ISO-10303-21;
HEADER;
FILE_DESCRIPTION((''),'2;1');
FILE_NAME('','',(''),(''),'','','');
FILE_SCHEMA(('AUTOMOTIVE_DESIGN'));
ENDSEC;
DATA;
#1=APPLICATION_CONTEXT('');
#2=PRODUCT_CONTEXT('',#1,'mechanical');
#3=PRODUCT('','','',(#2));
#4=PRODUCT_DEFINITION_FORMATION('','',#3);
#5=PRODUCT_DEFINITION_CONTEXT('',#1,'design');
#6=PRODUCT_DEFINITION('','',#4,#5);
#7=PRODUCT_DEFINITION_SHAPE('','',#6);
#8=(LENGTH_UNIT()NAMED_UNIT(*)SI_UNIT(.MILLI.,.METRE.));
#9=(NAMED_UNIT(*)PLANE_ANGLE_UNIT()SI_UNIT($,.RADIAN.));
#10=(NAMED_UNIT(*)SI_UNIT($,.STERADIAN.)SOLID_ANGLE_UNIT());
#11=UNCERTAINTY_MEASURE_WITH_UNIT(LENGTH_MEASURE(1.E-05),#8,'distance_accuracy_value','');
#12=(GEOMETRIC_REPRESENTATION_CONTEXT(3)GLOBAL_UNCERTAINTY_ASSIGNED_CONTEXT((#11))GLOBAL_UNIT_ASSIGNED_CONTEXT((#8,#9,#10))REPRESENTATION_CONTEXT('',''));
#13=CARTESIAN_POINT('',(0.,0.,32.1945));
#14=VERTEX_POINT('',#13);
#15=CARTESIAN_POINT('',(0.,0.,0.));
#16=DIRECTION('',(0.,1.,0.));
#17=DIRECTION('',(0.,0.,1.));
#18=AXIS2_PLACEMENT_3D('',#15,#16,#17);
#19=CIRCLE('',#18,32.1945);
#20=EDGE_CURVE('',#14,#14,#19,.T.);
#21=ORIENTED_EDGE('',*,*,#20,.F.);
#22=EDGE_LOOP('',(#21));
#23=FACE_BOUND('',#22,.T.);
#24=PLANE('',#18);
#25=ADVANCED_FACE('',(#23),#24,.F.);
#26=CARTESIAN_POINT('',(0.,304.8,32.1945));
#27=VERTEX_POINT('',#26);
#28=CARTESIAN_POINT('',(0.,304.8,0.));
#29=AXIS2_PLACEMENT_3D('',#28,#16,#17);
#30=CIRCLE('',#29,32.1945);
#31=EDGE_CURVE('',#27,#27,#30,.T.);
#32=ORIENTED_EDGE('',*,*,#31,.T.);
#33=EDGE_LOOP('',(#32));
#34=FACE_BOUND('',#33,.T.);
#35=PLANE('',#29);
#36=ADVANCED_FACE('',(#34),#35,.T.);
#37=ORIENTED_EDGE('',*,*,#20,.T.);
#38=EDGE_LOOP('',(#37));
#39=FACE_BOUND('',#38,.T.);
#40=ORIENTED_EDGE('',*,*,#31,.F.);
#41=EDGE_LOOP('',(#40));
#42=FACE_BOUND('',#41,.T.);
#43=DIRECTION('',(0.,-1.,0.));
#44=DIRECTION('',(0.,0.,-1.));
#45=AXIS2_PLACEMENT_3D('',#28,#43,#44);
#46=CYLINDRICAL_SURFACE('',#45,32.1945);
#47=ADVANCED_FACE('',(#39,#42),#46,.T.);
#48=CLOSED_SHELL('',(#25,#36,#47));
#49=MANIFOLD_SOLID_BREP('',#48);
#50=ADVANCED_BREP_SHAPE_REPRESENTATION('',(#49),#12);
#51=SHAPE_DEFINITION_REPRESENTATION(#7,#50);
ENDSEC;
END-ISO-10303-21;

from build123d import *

# Parameters (mm, degrees)
SKETCH1_R           = 32.1945
BOSS_EXTRUDE1_DEPTH = 304.8


with BuildPart() as part:
    # Sketch1 → Boss-Extrude1 (new body)
    with BuildSketch(Plane(origin=(0, 0, 0), x_dir=(1, 0, 0), z_dir=(0, 1, 0))):
        Circle(SKETCH1_R)
    extrude(amount=BOSS_EXTRUDE1_DEPTH)


solid = part.part
